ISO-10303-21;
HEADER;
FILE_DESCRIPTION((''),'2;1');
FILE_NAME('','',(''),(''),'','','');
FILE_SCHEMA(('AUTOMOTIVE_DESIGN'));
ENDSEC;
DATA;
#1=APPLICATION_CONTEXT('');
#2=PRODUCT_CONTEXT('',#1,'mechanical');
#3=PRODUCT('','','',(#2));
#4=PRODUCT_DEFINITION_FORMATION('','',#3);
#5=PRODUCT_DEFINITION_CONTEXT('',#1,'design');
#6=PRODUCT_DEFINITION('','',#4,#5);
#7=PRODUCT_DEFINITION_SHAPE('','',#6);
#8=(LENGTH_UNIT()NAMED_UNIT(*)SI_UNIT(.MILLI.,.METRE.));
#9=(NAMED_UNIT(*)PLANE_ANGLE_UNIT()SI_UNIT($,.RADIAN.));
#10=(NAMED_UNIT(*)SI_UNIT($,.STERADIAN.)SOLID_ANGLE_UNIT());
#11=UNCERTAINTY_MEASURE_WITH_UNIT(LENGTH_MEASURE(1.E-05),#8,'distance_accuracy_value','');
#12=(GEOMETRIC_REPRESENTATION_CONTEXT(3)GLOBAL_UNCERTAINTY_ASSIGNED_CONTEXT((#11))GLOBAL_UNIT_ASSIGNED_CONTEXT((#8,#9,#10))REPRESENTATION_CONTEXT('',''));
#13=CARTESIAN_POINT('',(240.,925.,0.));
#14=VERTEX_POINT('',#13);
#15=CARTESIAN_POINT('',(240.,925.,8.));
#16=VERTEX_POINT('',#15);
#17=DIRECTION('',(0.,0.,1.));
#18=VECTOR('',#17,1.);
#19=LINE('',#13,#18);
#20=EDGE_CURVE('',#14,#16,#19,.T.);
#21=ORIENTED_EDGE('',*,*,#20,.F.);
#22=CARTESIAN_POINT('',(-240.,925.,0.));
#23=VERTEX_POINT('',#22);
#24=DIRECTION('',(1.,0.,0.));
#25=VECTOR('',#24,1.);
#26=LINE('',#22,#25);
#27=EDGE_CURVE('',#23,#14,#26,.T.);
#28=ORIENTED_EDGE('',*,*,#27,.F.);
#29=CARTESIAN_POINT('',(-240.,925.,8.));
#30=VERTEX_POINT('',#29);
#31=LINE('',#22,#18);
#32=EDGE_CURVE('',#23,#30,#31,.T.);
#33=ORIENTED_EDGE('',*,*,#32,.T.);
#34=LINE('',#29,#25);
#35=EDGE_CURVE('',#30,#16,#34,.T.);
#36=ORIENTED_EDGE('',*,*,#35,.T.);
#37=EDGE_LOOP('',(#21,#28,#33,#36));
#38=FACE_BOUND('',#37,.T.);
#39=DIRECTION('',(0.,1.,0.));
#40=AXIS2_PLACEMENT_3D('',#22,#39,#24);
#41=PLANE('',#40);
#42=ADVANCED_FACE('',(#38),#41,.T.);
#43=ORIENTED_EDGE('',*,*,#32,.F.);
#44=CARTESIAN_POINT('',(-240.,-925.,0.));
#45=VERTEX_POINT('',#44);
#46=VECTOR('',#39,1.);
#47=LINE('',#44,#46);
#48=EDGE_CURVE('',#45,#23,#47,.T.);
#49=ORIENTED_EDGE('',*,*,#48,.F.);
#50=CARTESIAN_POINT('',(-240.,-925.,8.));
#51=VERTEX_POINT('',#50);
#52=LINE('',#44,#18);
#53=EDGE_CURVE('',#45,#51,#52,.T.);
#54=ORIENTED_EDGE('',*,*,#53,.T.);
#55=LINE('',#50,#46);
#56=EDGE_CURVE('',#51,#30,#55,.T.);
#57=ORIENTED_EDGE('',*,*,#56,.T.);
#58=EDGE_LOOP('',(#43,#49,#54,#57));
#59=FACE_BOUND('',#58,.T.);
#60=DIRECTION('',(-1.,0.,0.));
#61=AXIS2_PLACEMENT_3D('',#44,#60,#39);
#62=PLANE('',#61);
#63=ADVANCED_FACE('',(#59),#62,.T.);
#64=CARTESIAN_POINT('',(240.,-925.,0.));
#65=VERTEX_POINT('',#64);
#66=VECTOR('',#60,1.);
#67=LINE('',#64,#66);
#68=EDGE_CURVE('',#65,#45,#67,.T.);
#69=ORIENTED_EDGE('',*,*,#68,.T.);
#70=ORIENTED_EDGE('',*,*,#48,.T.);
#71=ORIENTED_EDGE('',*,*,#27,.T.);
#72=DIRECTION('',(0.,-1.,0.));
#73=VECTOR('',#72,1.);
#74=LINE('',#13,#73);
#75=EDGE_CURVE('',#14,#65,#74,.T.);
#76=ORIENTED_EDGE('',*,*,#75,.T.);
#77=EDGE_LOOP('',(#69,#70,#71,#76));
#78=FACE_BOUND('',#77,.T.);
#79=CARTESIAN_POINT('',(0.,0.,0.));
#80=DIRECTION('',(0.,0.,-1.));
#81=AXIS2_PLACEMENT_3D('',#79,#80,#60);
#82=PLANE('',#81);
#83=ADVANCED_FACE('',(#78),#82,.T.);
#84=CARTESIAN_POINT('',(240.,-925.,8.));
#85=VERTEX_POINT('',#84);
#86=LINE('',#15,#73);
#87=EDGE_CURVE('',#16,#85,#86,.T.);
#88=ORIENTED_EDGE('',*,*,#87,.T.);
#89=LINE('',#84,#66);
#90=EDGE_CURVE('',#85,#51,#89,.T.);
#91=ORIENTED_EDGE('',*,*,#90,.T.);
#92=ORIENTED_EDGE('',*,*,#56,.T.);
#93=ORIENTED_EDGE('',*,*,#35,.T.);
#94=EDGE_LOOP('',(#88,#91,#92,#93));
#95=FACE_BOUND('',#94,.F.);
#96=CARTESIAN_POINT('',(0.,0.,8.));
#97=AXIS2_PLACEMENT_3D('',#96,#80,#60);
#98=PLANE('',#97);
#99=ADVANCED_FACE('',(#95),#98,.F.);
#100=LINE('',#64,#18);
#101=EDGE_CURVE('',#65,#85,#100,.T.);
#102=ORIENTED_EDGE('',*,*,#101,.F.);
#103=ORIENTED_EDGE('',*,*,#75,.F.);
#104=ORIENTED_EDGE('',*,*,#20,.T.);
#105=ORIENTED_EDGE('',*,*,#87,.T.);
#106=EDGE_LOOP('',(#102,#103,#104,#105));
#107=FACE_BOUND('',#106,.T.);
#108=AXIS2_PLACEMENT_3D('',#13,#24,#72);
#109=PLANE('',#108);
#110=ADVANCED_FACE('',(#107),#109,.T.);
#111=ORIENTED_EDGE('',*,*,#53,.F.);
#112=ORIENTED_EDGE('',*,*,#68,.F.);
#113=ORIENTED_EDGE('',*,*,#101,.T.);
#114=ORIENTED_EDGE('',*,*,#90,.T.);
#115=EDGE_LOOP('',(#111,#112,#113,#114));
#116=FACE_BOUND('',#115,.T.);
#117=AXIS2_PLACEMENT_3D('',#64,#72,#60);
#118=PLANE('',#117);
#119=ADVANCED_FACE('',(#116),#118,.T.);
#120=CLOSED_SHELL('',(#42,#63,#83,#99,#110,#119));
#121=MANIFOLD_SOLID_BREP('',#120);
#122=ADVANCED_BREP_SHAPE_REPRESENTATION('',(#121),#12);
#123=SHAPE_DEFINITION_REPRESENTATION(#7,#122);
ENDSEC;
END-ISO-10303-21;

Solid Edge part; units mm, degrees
sketch "Sketch1" plane through (0, 0, 0) normal (0, 0, -1) x (-1, 0, 0)
  line L0 (-240, -925) -> (240, -925)
  line L1 (240, -925) -> (240, 925)
  line L2 (240, 925) -> (-240, 925)
  line L3 (-240, 925) -> (-240, -925)
extrude "Protrusion1" add sketch "Sketch1" against normal blind 8
properties material "Glass, general industrial"
